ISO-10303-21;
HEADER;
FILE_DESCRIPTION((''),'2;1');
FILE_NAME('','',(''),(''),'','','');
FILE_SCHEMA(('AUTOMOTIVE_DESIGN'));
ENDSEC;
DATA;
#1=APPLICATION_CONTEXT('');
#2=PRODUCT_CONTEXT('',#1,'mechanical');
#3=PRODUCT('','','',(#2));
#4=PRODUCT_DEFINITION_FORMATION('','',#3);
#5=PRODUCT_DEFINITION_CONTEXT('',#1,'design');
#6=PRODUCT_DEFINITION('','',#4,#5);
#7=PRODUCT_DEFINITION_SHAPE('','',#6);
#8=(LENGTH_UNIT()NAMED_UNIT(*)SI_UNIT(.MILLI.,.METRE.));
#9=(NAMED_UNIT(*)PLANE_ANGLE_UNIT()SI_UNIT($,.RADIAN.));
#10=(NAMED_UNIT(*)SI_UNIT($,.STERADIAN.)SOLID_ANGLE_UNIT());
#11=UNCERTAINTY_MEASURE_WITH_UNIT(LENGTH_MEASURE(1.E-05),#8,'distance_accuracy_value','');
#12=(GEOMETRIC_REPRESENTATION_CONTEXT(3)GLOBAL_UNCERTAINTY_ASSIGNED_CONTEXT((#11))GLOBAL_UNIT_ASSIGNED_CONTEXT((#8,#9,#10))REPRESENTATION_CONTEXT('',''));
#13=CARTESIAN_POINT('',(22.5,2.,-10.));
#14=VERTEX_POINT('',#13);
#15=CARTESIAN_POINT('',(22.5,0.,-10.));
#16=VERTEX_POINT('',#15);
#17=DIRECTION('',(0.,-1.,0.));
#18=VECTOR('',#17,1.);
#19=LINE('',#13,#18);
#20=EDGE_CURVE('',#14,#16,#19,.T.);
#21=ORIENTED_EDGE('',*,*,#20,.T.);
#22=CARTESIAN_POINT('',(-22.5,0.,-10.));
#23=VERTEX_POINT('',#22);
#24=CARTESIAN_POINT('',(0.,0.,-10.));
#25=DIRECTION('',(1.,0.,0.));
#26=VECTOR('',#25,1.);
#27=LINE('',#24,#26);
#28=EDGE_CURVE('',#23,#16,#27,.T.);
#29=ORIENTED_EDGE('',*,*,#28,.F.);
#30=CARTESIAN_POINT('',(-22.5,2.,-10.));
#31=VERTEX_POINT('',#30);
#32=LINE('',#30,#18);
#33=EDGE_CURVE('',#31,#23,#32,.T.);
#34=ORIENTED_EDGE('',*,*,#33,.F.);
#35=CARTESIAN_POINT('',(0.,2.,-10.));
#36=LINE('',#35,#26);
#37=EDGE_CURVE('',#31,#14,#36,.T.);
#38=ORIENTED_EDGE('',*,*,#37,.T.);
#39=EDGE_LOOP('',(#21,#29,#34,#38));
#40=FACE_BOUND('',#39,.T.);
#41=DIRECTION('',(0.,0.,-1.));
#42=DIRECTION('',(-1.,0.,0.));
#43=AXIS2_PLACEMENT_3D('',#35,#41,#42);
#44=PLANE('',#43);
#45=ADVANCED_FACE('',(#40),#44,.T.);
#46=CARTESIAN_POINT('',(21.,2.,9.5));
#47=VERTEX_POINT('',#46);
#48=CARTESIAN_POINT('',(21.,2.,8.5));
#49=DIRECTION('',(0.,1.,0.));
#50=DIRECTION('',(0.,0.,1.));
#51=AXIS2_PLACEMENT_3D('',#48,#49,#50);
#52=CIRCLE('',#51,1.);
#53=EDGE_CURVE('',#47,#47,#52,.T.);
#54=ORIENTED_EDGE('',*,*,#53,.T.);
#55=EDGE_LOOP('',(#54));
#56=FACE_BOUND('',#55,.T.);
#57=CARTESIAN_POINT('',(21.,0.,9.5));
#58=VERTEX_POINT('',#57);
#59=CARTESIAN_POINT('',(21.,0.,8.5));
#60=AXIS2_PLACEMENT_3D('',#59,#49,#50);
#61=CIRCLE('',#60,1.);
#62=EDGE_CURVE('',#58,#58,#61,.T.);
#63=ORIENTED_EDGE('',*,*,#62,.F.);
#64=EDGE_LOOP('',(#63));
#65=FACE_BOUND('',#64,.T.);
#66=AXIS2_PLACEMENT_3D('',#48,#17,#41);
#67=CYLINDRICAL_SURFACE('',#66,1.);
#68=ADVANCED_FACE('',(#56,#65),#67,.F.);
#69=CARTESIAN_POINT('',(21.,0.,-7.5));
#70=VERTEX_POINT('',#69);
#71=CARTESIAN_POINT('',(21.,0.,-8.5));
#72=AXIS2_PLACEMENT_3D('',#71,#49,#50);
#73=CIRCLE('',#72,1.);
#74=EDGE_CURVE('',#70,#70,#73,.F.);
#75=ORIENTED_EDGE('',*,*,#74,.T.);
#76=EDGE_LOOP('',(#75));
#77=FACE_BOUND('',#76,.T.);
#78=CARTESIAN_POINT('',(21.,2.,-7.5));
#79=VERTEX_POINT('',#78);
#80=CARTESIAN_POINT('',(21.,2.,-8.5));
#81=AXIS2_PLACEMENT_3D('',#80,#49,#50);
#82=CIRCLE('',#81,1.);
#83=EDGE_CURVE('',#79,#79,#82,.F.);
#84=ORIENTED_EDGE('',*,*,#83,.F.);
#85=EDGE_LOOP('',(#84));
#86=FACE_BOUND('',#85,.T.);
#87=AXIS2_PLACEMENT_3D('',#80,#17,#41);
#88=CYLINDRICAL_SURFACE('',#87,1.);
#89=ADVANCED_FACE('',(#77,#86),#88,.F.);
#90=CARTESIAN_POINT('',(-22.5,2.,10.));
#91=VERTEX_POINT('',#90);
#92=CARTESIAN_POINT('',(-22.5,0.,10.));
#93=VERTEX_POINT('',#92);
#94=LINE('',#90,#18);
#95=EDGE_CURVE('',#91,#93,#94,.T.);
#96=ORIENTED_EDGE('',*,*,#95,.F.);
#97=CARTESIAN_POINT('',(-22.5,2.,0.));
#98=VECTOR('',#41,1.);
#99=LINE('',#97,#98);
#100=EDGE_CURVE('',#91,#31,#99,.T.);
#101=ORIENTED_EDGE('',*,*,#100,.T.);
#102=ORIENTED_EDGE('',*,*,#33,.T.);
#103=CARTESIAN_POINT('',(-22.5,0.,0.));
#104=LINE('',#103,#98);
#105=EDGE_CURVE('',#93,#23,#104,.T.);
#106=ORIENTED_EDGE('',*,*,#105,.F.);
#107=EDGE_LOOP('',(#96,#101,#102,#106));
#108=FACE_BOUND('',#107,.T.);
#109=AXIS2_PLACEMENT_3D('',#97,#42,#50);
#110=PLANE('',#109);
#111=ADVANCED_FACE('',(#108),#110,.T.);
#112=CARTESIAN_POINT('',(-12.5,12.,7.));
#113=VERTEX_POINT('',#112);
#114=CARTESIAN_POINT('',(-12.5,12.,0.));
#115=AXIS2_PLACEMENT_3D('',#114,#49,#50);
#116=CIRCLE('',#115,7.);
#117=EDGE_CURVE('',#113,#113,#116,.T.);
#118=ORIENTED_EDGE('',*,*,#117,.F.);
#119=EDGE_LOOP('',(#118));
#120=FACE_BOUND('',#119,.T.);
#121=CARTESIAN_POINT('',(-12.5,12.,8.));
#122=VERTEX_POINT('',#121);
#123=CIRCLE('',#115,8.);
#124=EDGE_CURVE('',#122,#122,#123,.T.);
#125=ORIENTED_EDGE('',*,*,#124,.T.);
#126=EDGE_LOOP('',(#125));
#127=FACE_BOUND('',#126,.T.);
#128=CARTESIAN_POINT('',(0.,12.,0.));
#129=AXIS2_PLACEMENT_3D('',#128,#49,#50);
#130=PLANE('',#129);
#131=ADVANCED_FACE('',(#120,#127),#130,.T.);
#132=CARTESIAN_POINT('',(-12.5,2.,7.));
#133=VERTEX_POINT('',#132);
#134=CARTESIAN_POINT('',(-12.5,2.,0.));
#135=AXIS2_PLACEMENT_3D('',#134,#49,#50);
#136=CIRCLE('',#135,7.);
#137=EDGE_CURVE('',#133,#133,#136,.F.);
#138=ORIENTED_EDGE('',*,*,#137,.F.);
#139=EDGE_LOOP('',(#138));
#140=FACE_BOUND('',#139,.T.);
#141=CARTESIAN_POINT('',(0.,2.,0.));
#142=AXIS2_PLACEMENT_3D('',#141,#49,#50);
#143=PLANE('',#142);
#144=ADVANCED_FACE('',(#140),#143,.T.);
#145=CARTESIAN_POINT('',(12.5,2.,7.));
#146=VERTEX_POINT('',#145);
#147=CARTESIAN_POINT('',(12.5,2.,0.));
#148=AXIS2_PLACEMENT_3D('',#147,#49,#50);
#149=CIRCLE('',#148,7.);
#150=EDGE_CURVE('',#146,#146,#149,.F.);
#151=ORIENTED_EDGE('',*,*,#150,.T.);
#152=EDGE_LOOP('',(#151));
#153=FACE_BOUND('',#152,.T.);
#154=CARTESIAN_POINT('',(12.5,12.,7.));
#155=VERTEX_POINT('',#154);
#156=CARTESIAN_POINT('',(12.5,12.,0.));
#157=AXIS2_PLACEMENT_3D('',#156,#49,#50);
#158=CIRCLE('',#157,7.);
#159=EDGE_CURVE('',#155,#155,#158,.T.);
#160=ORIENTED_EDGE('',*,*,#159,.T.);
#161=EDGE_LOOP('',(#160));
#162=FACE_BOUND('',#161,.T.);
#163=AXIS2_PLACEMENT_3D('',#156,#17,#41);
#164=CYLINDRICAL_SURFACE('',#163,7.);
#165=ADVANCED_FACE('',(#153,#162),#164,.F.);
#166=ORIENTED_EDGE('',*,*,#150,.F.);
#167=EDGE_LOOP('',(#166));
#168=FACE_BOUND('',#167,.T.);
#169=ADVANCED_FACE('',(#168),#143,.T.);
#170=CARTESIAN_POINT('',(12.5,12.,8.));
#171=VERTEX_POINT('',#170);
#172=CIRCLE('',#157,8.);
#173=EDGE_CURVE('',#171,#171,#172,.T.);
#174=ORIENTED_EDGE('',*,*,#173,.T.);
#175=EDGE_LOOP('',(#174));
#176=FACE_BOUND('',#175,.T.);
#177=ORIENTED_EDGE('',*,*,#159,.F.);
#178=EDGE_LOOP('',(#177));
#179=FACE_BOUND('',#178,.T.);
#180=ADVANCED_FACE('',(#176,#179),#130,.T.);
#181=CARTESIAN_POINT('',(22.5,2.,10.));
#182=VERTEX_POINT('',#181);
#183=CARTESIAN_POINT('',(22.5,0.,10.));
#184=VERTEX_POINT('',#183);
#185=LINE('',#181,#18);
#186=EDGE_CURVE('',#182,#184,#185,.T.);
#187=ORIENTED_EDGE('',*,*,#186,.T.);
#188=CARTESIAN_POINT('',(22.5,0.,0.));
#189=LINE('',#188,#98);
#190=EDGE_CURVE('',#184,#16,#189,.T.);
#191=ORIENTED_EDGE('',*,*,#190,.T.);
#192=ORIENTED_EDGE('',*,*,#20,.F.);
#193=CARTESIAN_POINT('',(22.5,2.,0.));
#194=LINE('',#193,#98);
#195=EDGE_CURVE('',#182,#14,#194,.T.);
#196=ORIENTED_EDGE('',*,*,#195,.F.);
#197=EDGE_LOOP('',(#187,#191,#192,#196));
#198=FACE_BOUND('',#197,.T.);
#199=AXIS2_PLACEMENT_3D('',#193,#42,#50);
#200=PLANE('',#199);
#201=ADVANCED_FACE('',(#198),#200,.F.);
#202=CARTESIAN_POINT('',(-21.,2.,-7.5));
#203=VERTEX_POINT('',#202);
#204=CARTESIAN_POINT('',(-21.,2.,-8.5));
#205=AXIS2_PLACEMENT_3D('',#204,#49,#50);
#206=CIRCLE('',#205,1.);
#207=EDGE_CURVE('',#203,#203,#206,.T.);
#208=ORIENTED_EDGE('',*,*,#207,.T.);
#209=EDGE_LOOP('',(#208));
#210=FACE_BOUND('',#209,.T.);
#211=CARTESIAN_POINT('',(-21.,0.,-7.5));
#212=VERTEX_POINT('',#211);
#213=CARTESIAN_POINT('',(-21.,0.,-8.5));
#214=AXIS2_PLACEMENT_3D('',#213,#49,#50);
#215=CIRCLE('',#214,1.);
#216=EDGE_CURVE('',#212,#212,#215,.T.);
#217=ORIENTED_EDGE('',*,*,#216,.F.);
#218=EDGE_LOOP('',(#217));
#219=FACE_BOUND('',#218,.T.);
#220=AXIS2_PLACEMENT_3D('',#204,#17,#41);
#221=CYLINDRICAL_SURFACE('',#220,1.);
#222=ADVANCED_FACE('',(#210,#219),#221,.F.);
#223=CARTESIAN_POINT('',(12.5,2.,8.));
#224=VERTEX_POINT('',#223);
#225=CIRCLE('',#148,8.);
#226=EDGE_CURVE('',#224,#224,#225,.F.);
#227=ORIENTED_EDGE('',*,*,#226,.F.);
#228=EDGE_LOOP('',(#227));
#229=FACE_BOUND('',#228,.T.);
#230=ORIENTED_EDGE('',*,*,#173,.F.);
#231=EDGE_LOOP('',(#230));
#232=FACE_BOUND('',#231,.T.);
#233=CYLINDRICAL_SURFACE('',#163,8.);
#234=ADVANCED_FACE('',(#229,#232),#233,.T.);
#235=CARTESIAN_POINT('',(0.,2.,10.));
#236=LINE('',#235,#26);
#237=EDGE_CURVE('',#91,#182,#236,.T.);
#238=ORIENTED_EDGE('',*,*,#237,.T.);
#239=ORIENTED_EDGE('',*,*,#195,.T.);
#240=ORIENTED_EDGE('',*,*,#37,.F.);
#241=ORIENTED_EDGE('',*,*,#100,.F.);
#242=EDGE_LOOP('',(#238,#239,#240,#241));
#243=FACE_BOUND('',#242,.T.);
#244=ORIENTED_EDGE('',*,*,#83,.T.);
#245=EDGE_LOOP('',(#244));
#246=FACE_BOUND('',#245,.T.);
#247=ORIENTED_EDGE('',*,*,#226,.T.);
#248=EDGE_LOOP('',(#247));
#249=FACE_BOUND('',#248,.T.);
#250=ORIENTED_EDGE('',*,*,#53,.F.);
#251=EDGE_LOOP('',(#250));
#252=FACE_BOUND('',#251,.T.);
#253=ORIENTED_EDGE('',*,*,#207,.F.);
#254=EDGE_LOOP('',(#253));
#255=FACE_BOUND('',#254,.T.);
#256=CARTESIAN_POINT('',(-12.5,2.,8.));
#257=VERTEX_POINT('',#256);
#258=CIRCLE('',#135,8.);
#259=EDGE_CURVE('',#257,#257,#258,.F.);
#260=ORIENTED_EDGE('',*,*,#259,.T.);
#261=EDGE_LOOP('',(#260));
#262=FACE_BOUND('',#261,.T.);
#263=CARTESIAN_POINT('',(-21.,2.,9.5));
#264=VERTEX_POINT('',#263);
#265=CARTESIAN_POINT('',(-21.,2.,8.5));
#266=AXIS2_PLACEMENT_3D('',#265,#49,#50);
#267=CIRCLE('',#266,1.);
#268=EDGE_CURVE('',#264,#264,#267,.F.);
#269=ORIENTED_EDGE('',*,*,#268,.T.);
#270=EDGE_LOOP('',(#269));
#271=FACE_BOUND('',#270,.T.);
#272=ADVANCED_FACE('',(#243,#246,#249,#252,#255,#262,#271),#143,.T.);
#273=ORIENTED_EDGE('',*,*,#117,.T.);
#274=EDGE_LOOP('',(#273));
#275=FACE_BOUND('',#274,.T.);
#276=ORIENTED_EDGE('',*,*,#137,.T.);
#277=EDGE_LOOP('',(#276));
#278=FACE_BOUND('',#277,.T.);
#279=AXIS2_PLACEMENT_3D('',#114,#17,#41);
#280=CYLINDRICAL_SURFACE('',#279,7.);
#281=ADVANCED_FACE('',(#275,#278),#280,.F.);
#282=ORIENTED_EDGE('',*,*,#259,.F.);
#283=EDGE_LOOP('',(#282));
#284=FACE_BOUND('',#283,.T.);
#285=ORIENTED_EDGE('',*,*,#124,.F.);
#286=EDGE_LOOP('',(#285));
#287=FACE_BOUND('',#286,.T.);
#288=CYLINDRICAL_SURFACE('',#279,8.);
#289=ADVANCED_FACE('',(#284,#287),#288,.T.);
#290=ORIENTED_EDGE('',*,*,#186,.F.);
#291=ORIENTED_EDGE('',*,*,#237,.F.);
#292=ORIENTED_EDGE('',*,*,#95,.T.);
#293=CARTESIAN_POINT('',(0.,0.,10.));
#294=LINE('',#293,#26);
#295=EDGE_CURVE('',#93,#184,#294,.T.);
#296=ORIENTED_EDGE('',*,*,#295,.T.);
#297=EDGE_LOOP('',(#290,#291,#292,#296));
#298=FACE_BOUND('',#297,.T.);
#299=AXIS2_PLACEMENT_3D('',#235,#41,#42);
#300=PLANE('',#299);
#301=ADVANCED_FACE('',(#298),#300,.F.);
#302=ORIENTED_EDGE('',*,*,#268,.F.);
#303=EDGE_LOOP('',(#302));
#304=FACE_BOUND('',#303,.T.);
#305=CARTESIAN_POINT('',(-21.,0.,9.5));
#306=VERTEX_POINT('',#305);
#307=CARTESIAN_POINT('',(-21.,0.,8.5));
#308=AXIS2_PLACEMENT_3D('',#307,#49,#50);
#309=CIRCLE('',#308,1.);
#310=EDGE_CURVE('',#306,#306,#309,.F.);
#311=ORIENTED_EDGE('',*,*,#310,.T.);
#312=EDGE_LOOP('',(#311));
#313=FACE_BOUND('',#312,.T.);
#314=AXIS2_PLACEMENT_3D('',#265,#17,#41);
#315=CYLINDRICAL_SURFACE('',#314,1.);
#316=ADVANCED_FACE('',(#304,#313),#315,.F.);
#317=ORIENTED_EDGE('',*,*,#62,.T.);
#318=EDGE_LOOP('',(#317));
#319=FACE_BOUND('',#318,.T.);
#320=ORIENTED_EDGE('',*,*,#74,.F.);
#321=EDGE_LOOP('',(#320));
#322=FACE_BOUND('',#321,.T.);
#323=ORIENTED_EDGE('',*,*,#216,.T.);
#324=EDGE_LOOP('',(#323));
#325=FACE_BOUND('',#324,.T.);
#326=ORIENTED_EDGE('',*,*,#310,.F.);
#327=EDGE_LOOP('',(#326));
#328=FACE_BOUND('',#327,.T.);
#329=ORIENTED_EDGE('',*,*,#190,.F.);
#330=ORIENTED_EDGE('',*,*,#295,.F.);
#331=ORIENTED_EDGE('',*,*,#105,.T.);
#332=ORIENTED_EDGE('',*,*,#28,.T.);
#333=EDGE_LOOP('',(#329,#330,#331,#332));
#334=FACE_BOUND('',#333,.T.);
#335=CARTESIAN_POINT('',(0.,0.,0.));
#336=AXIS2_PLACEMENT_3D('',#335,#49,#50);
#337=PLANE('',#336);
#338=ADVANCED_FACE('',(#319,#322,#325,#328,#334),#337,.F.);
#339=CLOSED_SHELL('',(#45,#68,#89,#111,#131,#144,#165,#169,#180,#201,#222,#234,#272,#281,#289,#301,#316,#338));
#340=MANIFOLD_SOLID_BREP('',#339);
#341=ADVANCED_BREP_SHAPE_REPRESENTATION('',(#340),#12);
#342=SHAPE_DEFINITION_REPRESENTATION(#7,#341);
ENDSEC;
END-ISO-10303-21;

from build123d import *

# Parameters (mm, degrees)
SKETCH1_W           = 45
SKETCH1_H           = 20
SKETCH1_R           = 1
SKETCH1_R_2         = 8
SKETCH1_R_3         = 7
BOSS_EXTRUDE1_DEPTH = 2
SKETCH2_R           = 8
SKETCH2_R_2         = 7
BOSS_EXTRUDE2_DEPTH = 12


with BuildPart() as part:
    # Sketch1 → Boss-Extrude1 (new body)
    with BuildSketch(Plane(origin=(0, 0, 0), x_dir=(1, 0, 0), z_dir=(0, 1, 0))):
        Rectangle(SKETCH1_W, SKETCH1_H)
        with Locations(Location((-21, -8.5, 0), (0, 0, 270))):
            Circle(SKETCH1_R, mode=Mode.SUBTRACT)
        with Locations(Location((-21, 8.5, 0), (0, 0, 270))):
            Circle(SKETCH1_R, mode=Mode.SUBTRACT)
        with Locations((-12.5, 0)):
            Circle(SKETCH1_R_2, mode=Mode.SUBTRACT)
        with Locations(Location((21, -8.5, 0), (0, 0, 270))):
            Circle(SKETCH1_R, mode=Mode.SUBTRACT)
        with Locations(Location((21, 8.5, 0), (0, 0, 270))):
            Circle(SKETCH1_R, mode=Mode.SUBTRACT)
        with Locations((12.5, 0)):
            Circle(SKETCH1_R_2, mode=Mode.SUBTRACT)
        with Locations((-12.5, 0)):
            Circle(SKETCH1_R_2)
        with Locations((-12.5, 0)):
            Circle(SKETCH1_R_3, mode=Mode.SUBTRACT)
        with Locations((-12.5, 0)):
            Circle(SKETCH1_R_3)
        with Locations((12.5, 0)):
            Circle(SKETCH1_R_2)
        with Locations((12.5, 0)):
            Circle(SKETCH1_R_3, mode=Mode.SUBTRACT)
        with Locations((12.5, 0)):
            Circle(SKETCH1_R_3)
    extrude(amount=BOSS_EXTRUDE1_DEPTH)

    # Sketch2 → Boss-Extrude2 (add)
    with BuildSketch(Plane(origin=(0, 0, 0), x_dir=(1, 0, 0), z_dir=(0, 1, 0))):
        with Locations(Location((-12.5, 0, 0), (0, 0, 270))):
            Circle(SKETCH2_R)
        with Locations(Location((-12.5, 0, 0), (0, 0, 270))):
            Circle(SKETCH2_R_2, mode=Mode.SUBTRACT)
        with Locations(Location((12.5, 0, 0), (0, 0, 270))):
            Circle(SKETCH2_R)
        with Locations(Location((12.5, 0, 0), (0, 0, 270))):
            Circle(SKETCH2_R_2, mode=Mode.SUBTRACT)
    extrude(amount=BOSS_EXTRUDE2_DEPTH)


solid = part.part
